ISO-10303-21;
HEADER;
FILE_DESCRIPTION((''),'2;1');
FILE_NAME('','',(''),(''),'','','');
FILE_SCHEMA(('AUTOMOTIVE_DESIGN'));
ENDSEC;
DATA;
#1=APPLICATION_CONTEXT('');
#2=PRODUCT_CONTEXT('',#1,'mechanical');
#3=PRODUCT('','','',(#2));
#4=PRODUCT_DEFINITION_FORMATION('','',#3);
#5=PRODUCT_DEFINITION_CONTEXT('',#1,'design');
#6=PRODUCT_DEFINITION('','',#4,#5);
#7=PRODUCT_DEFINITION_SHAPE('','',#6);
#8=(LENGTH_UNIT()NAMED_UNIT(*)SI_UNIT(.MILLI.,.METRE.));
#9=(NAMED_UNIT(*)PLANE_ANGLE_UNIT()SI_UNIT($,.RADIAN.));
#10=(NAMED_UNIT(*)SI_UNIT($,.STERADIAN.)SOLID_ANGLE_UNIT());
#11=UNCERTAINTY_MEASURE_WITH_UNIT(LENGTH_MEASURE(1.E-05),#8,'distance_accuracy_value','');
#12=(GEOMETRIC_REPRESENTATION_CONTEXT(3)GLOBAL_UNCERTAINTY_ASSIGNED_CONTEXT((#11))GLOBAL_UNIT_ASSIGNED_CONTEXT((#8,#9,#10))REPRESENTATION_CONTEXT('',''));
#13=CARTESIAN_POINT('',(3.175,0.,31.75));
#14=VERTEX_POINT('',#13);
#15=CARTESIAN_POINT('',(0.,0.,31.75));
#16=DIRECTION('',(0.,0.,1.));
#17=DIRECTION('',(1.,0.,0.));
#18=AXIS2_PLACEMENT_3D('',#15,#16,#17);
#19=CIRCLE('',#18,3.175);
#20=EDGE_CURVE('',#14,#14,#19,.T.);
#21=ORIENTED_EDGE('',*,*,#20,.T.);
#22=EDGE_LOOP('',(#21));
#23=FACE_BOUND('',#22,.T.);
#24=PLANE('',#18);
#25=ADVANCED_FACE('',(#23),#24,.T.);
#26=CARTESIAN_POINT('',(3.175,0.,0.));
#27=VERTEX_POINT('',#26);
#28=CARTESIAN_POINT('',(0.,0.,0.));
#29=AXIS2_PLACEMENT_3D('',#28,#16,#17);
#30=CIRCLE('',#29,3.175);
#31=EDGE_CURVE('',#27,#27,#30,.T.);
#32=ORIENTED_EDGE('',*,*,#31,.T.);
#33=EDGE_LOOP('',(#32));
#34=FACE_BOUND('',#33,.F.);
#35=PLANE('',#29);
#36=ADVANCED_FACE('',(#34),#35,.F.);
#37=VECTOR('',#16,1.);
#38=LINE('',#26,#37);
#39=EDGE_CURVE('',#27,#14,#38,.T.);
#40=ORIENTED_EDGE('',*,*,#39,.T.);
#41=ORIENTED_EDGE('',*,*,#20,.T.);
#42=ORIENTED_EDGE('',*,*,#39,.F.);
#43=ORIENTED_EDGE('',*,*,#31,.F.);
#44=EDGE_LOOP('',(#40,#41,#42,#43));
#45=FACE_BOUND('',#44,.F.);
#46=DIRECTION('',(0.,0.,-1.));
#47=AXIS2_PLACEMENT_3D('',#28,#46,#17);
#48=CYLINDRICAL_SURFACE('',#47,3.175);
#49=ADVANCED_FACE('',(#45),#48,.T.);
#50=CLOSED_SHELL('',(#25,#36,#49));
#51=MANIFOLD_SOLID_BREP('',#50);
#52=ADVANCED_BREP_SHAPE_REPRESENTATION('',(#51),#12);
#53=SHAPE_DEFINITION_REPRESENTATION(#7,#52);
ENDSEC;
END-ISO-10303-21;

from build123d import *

# Parameters (mm, degrees)
SKETCH1_R           = 3.175
BOSS_EXTRUDE1_DEPTH = 31.75


with BuildPart() as part:
    # Sketch1 → Boss-Extrude1 (new body)
    with BuildSketch(Plane.XY):
        Circle(SKETCH1_R)
    extrude(amount=BOSS_EXTRUDE1_DEPTH)


solid = part.part
